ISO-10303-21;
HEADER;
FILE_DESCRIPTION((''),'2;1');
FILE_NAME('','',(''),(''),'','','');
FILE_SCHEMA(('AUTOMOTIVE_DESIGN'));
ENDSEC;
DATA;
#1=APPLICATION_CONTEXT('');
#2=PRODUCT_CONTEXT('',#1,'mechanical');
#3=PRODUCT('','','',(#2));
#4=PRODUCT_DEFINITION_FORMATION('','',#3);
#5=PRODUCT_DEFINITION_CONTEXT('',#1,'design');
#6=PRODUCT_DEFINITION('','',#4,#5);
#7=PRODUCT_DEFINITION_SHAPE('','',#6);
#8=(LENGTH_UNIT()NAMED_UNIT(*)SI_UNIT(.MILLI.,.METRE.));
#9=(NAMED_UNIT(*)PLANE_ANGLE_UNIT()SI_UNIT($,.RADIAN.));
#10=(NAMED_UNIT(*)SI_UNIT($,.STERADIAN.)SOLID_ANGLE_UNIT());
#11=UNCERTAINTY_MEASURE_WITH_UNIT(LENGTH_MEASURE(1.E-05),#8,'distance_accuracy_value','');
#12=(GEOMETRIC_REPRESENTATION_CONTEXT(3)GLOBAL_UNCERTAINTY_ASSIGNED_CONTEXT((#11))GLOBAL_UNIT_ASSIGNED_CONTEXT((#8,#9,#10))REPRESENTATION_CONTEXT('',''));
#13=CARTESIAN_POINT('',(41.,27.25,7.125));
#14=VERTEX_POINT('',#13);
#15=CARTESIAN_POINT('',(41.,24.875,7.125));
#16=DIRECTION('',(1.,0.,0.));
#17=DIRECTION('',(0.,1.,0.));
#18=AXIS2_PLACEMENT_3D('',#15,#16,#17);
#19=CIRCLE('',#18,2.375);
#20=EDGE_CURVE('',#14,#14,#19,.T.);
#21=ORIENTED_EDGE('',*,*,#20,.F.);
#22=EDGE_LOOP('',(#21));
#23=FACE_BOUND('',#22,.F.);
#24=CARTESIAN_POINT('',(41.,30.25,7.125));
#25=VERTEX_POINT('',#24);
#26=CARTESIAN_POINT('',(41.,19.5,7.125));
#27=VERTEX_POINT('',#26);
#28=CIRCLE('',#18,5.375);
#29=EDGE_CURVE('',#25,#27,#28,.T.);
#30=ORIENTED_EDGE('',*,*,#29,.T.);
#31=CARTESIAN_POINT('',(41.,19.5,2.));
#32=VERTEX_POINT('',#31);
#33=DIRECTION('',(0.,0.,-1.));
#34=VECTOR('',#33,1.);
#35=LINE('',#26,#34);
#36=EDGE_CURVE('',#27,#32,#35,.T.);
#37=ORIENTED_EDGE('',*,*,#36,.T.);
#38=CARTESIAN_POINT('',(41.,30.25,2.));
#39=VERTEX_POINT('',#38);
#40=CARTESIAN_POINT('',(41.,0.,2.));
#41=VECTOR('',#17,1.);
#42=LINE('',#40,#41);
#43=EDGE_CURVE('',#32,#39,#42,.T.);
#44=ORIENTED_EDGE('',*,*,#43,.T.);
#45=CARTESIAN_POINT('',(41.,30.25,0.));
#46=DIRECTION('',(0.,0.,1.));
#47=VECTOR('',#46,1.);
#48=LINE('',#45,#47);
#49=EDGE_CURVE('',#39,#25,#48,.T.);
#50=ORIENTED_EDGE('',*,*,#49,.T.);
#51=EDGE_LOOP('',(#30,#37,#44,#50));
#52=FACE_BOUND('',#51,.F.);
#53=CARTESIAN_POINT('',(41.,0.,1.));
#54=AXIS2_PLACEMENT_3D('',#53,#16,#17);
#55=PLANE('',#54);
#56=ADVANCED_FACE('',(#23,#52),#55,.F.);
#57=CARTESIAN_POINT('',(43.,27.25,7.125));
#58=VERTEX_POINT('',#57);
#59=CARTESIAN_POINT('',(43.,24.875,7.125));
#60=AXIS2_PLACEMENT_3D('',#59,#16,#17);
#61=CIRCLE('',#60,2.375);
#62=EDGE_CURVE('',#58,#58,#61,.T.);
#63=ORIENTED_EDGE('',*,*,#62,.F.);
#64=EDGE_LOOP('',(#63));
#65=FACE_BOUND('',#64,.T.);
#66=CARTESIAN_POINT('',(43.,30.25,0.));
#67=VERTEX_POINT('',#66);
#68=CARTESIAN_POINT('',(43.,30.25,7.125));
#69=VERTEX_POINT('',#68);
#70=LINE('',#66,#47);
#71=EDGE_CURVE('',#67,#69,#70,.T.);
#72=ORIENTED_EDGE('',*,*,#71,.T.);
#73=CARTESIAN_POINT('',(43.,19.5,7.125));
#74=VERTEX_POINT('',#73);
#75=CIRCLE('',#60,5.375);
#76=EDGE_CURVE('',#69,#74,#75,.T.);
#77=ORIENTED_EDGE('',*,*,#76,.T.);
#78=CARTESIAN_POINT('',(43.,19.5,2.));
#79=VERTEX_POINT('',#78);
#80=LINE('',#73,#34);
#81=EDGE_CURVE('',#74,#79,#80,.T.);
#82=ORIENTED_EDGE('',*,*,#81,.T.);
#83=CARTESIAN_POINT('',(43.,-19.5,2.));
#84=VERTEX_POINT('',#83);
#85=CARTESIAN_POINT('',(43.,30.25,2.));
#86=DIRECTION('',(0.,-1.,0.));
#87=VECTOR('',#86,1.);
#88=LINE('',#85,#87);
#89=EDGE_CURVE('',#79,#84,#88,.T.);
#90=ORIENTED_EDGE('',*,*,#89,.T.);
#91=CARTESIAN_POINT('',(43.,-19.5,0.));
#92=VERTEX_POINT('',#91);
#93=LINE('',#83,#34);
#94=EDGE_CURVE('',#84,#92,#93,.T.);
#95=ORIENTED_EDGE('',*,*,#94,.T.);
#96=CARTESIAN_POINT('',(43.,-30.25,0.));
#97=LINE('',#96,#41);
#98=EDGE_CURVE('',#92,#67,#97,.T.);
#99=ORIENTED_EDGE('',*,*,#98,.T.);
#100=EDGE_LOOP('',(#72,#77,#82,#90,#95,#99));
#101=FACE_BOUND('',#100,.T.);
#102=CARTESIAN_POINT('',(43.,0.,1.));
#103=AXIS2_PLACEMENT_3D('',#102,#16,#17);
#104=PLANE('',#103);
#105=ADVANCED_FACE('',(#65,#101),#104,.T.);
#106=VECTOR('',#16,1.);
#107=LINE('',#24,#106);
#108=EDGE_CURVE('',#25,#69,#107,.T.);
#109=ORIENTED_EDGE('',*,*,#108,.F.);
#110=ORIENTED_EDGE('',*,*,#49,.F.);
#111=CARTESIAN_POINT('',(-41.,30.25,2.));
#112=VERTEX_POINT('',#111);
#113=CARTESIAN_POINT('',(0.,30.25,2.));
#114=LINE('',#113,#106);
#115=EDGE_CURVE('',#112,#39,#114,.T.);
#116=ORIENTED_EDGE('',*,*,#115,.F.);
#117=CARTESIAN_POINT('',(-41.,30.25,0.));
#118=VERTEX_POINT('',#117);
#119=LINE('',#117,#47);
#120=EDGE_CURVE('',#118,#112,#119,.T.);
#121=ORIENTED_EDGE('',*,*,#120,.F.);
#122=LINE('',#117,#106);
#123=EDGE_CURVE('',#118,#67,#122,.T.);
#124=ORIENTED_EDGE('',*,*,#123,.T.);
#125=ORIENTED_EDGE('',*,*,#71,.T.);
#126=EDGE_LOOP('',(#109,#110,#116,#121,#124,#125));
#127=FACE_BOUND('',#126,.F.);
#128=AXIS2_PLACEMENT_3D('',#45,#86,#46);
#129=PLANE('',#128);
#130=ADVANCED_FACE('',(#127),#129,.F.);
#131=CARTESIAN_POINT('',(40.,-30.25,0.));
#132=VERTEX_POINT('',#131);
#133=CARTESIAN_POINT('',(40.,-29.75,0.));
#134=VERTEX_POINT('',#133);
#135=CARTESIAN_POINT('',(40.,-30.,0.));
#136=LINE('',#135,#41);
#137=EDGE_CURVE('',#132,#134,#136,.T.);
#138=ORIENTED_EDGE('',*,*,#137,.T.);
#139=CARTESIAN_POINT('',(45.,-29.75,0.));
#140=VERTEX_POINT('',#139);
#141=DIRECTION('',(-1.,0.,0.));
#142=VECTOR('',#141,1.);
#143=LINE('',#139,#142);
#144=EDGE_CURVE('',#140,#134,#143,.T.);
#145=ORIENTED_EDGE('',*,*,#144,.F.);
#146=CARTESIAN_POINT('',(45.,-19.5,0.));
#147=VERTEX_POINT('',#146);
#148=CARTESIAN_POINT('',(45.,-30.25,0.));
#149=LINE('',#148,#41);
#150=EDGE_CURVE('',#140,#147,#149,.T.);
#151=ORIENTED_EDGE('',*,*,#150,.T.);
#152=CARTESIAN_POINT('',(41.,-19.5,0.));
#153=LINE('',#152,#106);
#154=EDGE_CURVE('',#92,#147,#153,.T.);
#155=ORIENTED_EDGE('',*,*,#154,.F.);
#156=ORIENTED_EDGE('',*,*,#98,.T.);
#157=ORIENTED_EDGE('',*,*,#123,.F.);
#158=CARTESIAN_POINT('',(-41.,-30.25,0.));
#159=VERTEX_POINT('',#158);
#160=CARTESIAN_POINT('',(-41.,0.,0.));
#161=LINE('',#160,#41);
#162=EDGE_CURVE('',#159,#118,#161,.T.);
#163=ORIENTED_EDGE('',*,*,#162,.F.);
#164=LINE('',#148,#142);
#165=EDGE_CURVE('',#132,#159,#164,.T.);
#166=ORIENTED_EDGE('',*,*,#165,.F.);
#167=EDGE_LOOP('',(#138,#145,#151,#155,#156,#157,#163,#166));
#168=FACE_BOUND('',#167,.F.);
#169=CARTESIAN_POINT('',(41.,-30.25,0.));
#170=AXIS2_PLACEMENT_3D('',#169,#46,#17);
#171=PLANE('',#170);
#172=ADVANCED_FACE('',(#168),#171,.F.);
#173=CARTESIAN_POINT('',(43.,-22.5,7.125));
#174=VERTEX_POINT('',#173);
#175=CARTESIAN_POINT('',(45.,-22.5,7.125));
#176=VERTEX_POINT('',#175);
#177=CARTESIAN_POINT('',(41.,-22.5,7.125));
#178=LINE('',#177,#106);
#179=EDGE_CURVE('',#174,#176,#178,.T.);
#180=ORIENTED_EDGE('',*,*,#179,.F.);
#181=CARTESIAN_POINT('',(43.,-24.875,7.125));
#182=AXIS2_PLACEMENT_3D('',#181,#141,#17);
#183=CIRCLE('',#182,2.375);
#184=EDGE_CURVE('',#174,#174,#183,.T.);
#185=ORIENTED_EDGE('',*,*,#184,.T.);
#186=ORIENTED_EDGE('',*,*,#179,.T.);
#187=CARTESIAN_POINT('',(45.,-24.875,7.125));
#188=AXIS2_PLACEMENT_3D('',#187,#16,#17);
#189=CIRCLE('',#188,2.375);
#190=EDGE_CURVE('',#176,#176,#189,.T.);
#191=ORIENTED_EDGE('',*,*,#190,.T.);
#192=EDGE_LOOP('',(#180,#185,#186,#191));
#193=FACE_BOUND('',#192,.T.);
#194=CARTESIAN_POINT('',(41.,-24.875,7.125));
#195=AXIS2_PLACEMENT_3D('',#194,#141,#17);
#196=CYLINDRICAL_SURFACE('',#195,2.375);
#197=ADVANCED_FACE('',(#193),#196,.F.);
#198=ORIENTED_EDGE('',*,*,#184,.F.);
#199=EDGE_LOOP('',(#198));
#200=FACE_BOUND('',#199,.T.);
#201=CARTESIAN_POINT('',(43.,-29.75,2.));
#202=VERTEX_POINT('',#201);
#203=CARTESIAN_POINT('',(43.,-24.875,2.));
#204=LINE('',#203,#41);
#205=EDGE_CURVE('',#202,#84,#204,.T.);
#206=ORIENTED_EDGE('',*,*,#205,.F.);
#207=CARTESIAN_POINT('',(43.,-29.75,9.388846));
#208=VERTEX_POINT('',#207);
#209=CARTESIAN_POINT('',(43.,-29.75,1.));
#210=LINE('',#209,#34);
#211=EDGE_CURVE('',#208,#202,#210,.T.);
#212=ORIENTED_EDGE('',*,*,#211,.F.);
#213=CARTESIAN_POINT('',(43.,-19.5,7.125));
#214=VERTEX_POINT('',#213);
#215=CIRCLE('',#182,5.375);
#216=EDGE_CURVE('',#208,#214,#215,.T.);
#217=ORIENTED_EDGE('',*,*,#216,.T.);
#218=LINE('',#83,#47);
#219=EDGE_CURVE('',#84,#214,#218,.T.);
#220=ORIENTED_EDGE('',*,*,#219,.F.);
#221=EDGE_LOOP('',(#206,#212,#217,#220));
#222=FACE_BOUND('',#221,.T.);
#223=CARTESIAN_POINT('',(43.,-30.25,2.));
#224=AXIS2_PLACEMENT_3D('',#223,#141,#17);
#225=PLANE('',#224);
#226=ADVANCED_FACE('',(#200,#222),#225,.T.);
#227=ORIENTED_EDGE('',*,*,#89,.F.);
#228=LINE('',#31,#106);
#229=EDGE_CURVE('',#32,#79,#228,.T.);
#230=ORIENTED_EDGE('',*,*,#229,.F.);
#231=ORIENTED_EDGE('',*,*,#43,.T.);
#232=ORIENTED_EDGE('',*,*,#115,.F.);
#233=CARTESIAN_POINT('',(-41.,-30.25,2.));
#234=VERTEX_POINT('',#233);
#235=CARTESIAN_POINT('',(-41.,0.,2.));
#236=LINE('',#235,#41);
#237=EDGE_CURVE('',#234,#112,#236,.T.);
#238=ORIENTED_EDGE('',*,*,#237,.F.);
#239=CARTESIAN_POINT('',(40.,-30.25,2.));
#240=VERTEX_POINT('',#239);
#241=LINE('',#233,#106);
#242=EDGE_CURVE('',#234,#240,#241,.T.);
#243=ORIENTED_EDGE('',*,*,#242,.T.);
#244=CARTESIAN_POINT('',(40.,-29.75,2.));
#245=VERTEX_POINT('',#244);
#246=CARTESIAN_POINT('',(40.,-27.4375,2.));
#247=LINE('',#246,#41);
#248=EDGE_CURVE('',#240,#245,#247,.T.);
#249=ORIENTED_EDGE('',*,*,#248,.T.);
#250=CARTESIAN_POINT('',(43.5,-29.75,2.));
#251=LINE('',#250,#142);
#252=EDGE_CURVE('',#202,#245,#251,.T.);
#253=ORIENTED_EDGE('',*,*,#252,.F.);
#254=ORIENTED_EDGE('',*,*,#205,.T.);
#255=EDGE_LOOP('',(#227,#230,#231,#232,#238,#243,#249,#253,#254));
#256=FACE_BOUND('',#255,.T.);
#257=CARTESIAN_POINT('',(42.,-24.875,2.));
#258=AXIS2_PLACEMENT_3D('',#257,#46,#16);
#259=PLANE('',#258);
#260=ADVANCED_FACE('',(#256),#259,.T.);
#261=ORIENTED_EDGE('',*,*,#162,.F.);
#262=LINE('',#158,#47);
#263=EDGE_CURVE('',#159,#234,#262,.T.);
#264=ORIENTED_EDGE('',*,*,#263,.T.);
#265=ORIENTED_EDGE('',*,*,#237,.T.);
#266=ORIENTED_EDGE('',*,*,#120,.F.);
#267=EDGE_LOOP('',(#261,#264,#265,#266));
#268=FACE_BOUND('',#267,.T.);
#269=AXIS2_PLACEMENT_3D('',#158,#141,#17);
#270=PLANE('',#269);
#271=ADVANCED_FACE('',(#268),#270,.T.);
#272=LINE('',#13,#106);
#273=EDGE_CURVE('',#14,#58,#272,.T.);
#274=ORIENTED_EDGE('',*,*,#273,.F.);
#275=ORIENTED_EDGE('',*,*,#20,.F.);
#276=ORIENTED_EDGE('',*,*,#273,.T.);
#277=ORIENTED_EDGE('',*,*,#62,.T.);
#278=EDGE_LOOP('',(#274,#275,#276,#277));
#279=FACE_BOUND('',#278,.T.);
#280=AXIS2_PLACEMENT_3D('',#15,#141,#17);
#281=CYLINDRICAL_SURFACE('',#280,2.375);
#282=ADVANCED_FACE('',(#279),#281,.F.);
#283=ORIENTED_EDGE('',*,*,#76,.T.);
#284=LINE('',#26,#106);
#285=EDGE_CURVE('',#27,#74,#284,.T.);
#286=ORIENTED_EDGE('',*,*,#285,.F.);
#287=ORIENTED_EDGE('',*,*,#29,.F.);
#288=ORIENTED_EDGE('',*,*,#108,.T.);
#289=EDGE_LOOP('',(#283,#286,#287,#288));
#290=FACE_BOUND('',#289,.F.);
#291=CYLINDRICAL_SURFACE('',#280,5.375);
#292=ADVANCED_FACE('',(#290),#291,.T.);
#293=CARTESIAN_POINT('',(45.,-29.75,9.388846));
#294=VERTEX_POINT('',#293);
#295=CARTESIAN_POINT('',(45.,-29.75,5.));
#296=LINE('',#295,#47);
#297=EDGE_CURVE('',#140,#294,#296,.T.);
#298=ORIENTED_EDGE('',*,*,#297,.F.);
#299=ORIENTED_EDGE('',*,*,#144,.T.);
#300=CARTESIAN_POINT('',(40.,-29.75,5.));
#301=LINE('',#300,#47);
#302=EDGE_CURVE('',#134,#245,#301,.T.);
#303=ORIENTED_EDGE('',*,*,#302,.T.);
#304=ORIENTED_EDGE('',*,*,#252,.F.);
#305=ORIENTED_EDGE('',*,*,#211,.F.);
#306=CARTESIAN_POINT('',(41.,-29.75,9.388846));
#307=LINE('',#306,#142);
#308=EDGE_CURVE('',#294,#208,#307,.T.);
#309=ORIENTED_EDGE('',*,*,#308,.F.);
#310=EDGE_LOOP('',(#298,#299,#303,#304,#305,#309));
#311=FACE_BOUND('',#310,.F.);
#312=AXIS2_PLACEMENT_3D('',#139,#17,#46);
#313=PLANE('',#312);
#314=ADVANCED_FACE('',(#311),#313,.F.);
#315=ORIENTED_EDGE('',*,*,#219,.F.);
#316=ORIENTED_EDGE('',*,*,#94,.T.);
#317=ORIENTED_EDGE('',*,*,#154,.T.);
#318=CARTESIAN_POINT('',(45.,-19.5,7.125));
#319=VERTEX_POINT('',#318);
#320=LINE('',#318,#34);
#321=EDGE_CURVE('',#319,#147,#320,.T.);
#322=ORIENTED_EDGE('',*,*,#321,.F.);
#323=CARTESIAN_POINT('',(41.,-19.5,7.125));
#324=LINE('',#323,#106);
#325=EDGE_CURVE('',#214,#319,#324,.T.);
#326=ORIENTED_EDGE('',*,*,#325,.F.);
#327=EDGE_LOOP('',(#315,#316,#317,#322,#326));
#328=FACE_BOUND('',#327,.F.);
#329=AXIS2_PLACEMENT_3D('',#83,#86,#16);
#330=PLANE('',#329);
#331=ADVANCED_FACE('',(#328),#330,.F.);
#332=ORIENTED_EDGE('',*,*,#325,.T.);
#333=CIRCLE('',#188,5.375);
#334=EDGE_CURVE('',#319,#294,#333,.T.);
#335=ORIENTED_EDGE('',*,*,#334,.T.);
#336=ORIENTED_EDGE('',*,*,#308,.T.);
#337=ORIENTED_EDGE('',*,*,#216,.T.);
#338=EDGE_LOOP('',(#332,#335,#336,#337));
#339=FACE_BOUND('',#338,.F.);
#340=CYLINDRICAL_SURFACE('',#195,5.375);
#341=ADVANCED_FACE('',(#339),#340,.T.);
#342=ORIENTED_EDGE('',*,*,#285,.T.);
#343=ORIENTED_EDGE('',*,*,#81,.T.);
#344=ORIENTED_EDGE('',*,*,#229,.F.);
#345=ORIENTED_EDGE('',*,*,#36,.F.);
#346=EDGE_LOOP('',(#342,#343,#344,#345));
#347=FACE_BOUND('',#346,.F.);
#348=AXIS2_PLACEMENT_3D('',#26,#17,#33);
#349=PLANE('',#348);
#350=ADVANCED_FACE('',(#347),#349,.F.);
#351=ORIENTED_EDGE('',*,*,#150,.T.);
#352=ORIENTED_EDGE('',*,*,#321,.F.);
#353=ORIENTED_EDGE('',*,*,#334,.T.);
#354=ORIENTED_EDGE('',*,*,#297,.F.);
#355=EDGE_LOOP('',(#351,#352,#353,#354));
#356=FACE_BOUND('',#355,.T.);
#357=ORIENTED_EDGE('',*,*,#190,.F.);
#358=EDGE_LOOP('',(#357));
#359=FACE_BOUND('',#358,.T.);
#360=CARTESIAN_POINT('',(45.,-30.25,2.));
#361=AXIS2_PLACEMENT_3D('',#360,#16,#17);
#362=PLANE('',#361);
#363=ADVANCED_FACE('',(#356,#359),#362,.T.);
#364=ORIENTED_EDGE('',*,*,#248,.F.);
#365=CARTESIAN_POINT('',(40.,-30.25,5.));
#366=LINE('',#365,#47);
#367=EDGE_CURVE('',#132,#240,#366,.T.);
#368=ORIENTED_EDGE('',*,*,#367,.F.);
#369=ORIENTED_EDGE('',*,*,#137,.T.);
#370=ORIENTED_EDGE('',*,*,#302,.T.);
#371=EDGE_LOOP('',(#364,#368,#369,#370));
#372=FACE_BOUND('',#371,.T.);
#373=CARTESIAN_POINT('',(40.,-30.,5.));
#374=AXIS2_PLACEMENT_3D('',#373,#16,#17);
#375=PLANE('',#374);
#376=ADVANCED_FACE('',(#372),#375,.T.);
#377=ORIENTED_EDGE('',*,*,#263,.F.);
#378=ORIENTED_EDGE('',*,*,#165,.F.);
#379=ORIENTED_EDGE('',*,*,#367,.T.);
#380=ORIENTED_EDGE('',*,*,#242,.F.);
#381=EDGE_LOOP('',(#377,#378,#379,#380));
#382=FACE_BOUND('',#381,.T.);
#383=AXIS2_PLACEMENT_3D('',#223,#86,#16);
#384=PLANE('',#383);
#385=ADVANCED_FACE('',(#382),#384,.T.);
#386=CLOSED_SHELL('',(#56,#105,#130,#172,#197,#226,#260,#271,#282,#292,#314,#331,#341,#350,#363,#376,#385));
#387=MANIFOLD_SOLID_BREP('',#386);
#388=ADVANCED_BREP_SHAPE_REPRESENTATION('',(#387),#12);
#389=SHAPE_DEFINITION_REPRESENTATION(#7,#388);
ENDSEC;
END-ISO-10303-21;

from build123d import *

# Parameters (mm, degrees)
F0_W     = 82
F0_H     = 60.5
F1_DEPTH = 2
F2_R     = 2.375
F3_DEPTH = 2
F4_DEPTH = 4
F5_DEPTH = 2
F6_W     = 2
F6_H     = 10.75
F7_DEPTH = 10.501
F8_W     = 0.5
F8_H     = 10
F9_DEPTH = 5


with BuildPart() as f1:
    # F0 (on Top) → F1 (new body)
    with BuildSketch(Plane.XY):
        Rectangle(F0_W, F0_H)
    extrude(amount=F1_DEPTH)

    # F2 (on face) → F3 (join)
    with BuildSketch(Plane.YZ.offset(41)):
        Polygon((19.5, 2), (-19.5, 2), (-30.25, 2), (-30.25, 0), (30.25, 0), (30.25, 2), align=None)
        with BuildLine():
            Line((19.5, 7.125), (19.5, 2))
            Line((19.5, 2), (30.25, 2))
            Line((30.25, 2), (30.25, 7.125))
            ThreePointArc((30.25, 7.125), (24.875, 12.5), (19.5, 7.125))
        make_face()
        with Locations((24.875, 7.125)):
            Circle(F2_R, mode=Mode.SUBTRACT)
    extrude(amount=F3_DEPTH)

    # F2 (on face) → F4 (join)
    with BuildSketch(Plane.YZ.offset(41)):
        with BuildLine():
            Line((-30.25, 2), (-19.5, 2))
            Line((-19.5, 2), (-19.5, 7.125))
            ThreePointArc((-19.5, 7.125), (-24.875, 12.5), (-30.25, 7.125))
            Line((-30.25, 7.125), (-30.25, 2))
        make_face()
        with Locations((-24.875, 7.125)):
            Circle(F2_R, mode=Mode.SUBTRACT)
    extrude(amount=F4_DEPTH)

    # F5 (add): a face of the model
    f5_faces = [f1.faces().sort_by_distance(p)[0] for p in [
        (44, -24.875, 2),
    ]]
    extrude(f5_faces, amount=F5_DEPTH)

    # F6 (on face) → F7 (cut, through all)
    with BuildSketch(Plane.XY.offset(2)):
        with Locations((42, -24.875)):
            Rectangle(F6_W, F6_H)
    extrude(amount=F7_DEPTH, mode=Mode.SUBTRACT)

    # F8 (on face) → F9 (cut)
    with BuildSketch(Plane.YZ.offset(45)):
        with Locations((-30, 5)):
            Rectangle(F8_W, F8_H)
    extrude(amount=-F9_DEPTH, mode=Mode.SUBTRACT)


solid = f1.part
